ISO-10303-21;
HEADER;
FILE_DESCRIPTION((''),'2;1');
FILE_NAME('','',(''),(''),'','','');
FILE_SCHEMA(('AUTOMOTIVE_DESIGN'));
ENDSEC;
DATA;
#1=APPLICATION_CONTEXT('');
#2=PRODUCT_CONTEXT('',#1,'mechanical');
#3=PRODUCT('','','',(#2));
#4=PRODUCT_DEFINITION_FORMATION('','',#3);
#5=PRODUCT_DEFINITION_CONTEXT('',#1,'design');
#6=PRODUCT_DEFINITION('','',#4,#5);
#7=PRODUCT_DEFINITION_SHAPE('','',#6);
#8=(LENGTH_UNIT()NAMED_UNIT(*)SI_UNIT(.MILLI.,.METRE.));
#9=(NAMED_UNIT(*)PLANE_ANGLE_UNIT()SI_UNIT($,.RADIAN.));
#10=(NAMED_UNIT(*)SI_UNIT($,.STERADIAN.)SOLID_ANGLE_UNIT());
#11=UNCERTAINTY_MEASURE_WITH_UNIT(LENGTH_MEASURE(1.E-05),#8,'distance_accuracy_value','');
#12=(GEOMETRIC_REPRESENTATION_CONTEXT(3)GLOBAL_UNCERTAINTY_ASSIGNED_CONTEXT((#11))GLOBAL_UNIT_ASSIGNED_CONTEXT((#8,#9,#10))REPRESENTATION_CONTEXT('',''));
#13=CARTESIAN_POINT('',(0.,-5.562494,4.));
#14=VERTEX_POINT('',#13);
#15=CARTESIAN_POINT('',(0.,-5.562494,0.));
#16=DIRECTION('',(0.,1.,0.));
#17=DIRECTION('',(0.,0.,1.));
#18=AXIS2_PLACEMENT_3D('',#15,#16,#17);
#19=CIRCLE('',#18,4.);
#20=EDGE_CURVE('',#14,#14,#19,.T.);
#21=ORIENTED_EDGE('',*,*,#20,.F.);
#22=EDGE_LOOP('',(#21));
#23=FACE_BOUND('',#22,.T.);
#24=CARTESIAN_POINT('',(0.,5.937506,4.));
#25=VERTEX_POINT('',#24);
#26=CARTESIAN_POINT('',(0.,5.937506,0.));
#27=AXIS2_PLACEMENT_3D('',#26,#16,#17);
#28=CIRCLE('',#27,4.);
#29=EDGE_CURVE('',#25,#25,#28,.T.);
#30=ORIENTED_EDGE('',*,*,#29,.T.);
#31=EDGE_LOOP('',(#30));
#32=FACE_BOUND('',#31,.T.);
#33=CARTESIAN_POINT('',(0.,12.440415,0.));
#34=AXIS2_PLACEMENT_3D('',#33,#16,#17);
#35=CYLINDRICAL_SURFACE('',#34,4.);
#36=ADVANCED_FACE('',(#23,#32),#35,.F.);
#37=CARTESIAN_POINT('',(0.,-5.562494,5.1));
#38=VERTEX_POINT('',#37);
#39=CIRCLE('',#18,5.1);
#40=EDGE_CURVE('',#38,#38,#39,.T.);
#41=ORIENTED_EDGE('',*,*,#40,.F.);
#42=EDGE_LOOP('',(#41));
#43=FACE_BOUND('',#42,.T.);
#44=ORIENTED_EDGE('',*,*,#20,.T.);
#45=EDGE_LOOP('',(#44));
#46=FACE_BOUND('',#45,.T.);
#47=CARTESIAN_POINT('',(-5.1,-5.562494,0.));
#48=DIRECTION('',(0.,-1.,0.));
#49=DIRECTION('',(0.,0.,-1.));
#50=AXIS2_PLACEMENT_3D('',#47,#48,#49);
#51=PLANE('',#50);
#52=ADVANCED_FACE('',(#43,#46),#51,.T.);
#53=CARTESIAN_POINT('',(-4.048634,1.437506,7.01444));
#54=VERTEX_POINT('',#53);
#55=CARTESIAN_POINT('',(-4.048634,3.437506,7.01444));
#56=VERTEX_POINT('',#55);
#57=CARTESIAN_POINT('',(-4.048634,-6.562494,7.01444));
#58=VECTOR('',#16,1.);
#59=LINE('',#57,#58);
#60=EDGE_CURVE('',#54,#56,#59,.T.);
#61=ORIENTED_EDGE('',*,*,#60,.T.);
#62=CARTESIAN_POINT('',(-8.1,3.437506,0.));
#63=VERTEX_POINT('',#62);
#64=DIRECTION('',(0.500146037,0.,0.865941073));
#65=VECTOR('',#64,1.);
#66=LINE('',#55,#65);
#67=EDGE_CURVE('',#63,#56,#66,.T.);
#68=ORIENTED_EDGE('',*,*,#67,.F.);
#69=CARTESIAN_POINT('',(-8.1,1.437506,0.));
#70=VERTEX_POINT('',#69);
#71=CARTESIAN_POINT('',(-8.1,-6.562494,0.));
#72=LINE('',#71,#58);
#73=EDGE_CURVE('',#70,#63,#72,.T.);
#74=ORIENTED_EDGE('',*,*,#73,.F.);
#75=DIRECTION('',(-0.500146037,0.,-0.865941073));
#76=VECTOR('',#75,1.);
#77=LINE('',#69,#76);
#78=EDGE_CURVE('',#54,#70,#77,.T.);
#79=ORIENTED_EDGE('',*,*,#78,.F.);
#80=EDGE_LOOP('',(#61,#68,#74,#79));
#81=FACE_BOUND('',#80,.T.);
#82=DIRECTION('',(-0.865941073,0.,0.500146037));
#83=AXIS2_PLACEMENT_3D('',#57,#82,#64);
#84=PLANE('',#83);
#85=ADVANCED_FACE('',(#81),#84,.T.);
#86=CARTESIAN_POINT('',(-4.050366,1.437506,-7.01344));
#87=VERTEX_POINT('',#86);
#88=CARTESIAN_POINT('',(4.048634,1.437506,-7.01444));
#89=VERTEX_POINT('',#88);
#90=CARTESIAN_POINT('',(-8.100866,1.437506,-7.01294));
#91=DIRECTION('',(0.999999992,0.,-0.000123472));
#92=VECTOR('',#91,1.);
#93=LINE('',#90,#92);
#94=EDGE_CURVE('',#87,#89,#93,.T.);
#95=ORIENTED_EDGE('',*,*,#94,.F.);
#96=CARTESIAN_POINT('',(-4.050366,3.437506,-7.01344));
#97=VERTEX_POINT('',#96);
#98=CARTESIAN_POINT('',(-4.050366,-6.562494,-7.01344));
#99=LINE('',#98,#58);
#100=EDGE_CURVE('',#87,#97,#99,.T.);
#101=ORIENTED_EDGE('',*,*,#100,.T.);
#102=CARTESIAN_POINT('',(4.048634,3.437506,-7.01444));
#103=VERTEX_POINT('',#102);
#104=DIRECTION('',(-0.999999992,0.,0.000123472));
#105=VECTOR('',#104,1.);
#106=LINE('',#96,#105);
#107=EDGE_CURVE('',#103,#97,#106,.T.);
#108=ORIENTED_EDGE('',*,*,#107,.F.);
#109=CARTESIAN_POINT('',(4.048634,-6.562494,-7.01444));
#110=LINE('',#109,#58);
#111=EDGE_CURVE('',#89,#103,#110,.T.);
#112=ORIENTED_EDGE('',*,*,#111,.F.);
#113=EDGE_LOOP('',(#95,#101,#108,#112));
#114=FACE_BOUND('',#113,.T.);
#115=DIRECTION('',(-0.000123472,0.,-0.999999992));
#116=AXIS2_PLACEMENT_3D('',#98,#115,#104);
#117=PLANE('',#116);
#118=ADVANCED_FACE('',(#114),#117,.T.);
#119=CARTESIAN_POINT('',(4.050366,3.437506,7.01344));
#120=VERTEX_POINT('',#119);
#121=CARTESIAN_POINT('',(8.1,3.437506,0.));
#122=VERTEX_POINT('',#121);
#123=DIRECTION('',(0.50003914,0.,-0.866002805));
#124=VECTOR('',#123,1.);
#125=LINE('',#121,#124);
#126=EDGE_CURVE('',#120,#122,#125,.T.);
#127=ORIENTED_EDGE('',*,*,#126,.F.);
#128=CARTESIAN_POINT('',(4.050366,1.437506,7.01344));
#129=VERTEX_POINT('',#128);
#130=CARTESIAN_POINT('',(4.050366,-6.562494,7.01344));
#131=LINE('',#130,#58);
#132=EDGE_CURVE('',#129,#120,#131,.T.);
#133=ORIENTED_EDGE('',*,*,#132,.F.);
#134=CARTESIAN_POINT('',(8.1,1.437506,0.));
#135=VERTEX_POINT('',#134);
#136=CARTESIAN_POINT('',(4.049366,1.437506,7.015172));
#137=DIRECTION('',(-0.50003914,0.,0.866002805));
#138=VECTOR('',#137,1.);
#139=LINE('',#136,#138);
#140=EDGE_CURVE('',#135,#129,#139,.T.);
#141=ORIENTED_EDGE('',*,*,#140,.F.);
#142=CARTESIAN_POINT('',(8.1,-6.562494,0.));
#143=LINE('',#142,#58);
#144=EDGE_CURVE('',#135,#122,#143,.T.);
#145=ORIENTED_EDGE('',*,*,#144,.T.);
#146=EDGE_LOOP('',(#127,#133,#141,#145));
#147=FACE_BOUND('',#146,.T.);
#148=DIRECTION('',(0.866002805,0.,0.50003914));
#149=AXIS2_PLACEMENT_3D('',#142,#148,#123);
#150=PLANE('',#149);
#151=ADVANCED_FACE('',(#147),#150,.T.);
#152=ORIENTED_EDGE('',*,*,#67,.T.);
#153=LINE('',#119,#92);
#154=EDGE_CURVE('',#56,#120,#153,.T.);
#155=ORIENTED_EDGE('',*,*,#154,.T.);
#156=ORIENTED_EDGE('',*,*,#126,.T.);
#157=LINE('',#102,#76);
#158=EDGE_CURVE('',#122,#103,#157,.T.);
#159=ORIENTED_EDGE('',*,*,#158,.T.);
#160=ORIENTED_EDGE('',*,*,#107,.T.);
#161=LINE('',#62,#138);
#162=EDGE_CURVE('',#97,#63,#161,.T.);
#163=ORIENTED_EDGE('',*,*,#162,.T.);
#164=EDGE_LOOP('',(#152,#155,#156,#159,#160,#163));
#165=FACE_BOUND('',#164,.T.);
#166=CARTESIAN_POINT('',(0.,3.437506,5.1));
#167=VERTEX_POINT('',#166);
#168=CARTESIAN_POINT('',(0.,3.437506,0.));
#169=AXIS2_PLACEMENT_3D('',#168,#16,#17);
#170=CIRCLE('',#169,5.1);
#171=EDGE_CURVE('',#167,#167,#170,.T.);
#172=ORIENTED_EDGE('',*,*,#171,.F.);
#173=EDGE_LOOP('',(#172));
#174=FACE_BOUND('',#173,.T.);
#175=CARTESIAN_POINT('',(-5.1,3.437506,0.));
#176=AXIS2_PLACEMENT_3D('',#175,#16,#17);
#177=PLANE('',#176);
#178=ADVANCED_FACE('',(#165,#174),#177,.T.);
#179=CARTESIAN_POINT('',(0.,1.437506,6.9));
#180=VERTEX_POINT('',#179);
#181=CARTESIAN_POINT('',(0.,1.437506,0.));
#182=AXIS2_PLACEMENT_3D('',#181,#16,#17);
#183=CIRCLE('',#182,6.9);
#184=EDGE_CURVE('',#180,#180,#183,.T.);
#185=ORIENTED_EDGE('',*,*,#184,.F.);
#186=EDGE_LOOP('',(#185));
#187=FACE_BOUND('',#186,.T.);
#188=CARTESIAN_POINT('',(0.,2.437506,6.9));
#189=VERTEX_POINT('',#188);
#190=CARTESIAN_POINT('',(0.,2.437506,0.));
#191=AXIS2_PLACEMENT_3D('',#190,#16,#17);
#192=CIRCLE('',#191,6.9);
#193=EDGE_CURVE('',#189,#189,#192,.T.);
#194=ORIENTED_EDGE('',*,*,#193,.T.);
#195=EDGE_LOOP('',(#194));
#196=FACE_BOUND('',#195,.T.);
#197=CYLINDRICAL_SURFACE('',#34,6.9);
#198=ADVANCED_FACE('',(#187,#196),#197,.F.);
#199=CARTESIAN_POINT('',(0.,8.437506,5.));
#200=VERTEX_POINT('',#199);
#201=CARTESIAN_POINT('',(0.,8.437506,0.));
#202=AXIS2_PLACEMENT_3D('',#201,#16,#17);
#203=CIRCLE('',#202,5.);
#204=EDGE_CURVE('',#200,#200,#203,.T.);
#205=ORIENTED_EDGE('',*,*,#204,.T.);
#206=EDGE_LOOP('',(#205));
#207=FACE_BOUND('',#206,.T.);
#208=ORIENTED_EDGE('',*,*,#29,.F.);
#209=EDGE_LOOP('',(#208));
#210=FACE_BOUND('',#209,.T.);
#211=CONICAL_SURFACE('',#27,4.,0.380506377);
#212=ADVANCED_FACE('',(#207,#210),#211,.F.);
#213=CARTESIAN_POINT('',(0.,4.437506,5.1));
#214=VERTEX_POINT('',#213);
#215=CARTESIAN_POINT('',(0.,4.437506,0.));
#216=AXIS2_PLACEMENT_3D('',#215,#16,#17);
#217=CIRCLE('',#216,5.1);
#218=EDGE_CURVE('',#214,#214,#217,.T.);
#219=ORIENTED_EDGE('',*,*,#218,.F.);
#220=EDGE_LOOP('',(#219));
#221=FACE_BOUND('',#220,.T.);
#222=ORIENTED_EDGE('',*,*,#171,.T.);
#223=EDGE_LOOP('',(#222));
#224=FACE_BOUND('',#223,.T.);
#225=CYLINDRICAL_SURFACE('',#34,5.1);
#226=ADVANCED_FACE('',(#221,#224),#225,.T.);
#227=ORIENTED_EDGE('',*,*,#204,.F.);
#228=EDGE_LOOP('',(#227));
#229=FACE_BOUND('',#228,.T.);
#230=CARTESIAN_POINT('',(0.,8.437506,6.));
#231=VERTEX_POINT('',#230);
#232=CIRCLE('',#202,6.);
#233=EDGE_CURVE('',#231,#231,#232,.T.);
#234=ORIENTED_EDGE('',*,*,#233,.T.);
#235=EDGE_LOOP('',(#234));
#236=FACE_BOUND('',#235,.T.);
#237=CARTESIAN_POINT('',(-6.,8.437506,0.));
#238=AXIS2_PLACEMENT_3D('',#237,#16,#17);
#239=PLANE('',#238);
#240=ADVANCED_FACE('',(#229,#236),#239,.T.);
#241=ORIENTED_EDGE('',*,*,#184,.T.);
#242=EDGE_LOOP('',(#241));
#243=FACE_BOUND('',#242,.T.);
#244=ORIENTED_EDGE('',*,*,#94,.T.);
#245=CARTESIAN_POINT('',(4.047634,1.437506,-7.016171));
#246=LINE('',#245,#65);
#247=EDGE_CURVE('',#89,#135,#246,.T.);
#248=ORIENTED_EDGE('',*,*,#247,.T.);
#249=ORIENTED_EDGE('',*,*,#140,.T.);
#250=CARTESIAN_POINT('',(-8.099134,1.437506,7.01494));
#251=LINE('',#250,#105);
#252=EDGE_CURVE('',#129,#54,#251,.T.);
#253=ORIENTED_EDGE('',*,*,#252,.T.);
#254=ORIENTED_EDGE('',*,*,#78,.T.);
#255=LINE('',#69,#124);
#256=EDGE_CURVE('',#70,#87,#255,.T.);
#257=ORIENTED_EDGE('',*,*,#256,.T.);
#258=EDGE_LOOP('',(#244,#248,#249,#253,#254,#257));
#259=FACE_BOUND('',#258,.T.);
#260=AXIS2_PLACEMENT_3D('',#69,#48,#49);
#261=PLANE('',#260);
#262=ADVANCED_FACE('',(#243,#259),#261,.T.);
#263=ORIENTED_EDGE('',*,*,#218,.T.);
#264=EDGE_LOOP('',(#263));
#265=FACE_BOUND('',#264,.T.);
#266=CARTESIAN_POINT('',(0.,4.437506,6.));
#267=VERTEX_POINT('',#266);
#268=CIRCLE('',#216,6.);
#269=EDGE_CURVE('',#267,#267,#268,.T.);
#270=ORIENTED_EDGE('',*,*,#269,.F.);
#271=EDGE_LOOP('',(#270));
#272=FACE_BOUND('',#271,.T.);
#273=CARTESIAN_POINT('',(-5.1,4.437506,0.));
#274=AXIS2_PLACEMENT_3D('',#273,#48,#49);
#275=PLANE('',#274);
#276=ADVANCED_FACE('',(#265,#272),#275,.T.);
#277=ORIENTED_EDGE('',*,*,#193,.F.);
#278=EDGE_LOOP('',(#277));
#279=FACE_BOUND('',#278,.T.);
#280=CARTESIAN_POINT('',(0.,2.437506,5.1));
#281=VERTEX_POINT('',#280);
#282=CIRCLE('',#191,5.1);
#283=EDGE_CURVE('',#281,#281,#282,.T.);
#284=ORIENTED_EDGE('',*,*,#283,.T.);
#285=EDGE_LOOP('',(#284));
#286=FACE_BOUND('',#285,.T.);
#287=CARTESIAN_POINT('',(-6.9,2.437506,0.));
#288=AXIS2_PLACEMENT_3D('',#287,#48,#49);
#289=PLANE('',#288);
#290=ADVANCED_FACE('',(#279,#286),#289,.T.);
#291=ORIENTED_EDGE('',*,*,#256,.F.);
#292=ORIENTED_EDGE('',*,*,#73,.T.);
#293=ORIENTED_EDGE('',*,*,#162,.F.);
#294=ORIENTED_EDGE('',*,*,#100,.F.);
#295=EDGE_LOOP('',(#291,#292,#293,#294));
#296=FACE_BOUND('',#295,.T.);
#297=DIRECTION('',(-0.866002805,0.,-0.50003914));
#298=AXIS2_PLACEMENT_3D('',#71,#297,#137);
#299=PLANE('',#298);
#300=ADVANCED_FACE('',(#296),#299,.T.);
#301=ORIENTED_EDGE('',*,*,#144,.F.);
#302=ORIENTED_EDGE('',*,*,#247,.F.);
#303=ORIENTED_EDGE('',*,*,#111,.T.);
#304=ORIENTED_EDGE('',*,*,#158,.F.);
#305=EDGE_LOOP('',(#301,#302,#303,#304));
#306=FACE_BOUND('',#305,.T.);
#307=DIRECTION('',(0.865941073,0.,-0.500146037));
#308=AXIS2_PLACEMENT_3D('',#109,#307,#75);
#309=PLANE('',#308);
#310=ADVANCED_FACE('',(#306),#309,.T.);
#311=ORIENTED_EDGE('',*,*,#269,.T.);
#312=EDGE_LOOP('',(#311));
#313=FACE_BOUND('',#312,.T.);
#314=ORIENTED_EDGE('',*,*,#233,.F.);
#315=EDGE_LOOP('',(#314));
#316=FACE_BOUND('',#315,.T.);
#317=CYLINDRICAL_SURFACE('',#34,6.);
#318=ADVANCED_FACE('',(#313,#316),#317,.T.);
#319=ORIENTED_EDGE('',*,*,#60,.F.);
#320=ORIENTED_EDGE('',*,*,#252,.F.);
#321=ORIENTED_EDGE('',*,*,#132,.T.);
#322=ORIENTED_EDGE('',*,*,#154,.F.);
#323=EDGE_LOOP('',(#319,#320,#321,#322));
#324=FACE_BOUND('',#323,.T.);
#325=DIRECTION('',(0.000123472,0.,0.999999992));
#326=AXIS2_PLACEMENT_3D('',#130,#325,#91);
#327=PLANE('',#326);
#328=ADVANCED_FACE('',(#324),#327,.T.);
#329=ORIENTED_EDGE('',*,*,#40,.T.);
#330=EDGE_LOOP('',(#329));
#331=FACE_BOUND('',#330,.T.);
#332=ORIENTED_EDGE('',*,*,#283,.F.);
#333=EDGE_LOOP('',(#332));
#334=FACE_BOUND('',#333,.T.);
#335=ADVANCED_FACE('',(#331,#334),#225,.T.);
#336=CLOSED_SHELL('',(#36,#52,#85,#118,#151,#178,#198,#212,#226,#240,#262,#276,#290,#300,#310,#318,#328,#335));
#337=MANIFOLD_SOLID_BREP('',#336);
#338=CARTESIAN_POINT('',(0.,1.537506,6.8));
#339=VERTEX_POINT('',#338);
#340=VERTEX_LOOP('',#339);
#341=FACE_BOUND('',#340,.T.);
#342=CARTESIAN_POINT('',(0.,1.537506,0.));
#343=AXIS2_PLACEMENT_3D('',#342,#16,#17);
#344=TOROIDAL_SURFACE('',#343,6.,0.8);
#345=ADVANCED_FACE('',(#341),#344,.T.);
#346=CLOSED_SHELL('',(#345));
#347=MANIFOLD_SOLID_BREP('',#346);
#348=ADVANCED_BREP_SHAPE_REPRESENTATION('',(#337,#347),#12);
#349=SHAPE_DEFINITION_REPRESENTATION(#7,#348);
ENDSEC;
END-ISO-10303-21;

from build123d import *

# Parameters (mm, degrees)
SKETCH_1_R          = 0.8
SKETCH_3_R          = 12.642414599
CUT_EXTRUDE_2_DEPTH = 10


with BuildPart() as part:
    # Эскиз1 → Повернуть1 (revolve)
    with BuildSketch(Plane.XY):
        with Locations((-6, 1.537505723)):
            Circle(SKETCH_1_R)
        Polygon((-5.1, 3.437505723), (-8.1, 3.437505723), (-8.1, 1.437505723), (-6.9, 1.437505723), (-6.9, 2.437505723), (-5.1, 2.437505723), (-5.1, 1.437505723), (-5.1, -5.562494277), (-4, -5.562494277), (-4, 5.937505723), (-5, 8.437505723), (-6, 8.437505723), (-6, 4.437505723), (-5.1, 4.437505723), align=None)
    revolve(axis=Axis((0, 12.440414794, 0), (0, -1, 0)))

    # Эскиз3 → Вырез-Вытянуть2 (cut)
    with BuildSketch(Plane(origin=(0, 3.437505723, 0), x_dir=(1, 0, 0), z_dir=(0, 1, 0))):
        with Locations((0.002, 0)):
            Circle(SKETCH_3_R)
        Polygon((-8.1, 0), (-4.050366025, 7.013439745), (4.048633975, 7.014439745), (8.1, 0), (4.050366025, -7.013439745), (-4.048633975, -7.014439745), align=None, mode=Mode.SUBTRACT)
    extrude(amount=-CUT_EXTRUDE_2_DEPTH, mode=Mode.SUBTRACT)


solid = part.part
